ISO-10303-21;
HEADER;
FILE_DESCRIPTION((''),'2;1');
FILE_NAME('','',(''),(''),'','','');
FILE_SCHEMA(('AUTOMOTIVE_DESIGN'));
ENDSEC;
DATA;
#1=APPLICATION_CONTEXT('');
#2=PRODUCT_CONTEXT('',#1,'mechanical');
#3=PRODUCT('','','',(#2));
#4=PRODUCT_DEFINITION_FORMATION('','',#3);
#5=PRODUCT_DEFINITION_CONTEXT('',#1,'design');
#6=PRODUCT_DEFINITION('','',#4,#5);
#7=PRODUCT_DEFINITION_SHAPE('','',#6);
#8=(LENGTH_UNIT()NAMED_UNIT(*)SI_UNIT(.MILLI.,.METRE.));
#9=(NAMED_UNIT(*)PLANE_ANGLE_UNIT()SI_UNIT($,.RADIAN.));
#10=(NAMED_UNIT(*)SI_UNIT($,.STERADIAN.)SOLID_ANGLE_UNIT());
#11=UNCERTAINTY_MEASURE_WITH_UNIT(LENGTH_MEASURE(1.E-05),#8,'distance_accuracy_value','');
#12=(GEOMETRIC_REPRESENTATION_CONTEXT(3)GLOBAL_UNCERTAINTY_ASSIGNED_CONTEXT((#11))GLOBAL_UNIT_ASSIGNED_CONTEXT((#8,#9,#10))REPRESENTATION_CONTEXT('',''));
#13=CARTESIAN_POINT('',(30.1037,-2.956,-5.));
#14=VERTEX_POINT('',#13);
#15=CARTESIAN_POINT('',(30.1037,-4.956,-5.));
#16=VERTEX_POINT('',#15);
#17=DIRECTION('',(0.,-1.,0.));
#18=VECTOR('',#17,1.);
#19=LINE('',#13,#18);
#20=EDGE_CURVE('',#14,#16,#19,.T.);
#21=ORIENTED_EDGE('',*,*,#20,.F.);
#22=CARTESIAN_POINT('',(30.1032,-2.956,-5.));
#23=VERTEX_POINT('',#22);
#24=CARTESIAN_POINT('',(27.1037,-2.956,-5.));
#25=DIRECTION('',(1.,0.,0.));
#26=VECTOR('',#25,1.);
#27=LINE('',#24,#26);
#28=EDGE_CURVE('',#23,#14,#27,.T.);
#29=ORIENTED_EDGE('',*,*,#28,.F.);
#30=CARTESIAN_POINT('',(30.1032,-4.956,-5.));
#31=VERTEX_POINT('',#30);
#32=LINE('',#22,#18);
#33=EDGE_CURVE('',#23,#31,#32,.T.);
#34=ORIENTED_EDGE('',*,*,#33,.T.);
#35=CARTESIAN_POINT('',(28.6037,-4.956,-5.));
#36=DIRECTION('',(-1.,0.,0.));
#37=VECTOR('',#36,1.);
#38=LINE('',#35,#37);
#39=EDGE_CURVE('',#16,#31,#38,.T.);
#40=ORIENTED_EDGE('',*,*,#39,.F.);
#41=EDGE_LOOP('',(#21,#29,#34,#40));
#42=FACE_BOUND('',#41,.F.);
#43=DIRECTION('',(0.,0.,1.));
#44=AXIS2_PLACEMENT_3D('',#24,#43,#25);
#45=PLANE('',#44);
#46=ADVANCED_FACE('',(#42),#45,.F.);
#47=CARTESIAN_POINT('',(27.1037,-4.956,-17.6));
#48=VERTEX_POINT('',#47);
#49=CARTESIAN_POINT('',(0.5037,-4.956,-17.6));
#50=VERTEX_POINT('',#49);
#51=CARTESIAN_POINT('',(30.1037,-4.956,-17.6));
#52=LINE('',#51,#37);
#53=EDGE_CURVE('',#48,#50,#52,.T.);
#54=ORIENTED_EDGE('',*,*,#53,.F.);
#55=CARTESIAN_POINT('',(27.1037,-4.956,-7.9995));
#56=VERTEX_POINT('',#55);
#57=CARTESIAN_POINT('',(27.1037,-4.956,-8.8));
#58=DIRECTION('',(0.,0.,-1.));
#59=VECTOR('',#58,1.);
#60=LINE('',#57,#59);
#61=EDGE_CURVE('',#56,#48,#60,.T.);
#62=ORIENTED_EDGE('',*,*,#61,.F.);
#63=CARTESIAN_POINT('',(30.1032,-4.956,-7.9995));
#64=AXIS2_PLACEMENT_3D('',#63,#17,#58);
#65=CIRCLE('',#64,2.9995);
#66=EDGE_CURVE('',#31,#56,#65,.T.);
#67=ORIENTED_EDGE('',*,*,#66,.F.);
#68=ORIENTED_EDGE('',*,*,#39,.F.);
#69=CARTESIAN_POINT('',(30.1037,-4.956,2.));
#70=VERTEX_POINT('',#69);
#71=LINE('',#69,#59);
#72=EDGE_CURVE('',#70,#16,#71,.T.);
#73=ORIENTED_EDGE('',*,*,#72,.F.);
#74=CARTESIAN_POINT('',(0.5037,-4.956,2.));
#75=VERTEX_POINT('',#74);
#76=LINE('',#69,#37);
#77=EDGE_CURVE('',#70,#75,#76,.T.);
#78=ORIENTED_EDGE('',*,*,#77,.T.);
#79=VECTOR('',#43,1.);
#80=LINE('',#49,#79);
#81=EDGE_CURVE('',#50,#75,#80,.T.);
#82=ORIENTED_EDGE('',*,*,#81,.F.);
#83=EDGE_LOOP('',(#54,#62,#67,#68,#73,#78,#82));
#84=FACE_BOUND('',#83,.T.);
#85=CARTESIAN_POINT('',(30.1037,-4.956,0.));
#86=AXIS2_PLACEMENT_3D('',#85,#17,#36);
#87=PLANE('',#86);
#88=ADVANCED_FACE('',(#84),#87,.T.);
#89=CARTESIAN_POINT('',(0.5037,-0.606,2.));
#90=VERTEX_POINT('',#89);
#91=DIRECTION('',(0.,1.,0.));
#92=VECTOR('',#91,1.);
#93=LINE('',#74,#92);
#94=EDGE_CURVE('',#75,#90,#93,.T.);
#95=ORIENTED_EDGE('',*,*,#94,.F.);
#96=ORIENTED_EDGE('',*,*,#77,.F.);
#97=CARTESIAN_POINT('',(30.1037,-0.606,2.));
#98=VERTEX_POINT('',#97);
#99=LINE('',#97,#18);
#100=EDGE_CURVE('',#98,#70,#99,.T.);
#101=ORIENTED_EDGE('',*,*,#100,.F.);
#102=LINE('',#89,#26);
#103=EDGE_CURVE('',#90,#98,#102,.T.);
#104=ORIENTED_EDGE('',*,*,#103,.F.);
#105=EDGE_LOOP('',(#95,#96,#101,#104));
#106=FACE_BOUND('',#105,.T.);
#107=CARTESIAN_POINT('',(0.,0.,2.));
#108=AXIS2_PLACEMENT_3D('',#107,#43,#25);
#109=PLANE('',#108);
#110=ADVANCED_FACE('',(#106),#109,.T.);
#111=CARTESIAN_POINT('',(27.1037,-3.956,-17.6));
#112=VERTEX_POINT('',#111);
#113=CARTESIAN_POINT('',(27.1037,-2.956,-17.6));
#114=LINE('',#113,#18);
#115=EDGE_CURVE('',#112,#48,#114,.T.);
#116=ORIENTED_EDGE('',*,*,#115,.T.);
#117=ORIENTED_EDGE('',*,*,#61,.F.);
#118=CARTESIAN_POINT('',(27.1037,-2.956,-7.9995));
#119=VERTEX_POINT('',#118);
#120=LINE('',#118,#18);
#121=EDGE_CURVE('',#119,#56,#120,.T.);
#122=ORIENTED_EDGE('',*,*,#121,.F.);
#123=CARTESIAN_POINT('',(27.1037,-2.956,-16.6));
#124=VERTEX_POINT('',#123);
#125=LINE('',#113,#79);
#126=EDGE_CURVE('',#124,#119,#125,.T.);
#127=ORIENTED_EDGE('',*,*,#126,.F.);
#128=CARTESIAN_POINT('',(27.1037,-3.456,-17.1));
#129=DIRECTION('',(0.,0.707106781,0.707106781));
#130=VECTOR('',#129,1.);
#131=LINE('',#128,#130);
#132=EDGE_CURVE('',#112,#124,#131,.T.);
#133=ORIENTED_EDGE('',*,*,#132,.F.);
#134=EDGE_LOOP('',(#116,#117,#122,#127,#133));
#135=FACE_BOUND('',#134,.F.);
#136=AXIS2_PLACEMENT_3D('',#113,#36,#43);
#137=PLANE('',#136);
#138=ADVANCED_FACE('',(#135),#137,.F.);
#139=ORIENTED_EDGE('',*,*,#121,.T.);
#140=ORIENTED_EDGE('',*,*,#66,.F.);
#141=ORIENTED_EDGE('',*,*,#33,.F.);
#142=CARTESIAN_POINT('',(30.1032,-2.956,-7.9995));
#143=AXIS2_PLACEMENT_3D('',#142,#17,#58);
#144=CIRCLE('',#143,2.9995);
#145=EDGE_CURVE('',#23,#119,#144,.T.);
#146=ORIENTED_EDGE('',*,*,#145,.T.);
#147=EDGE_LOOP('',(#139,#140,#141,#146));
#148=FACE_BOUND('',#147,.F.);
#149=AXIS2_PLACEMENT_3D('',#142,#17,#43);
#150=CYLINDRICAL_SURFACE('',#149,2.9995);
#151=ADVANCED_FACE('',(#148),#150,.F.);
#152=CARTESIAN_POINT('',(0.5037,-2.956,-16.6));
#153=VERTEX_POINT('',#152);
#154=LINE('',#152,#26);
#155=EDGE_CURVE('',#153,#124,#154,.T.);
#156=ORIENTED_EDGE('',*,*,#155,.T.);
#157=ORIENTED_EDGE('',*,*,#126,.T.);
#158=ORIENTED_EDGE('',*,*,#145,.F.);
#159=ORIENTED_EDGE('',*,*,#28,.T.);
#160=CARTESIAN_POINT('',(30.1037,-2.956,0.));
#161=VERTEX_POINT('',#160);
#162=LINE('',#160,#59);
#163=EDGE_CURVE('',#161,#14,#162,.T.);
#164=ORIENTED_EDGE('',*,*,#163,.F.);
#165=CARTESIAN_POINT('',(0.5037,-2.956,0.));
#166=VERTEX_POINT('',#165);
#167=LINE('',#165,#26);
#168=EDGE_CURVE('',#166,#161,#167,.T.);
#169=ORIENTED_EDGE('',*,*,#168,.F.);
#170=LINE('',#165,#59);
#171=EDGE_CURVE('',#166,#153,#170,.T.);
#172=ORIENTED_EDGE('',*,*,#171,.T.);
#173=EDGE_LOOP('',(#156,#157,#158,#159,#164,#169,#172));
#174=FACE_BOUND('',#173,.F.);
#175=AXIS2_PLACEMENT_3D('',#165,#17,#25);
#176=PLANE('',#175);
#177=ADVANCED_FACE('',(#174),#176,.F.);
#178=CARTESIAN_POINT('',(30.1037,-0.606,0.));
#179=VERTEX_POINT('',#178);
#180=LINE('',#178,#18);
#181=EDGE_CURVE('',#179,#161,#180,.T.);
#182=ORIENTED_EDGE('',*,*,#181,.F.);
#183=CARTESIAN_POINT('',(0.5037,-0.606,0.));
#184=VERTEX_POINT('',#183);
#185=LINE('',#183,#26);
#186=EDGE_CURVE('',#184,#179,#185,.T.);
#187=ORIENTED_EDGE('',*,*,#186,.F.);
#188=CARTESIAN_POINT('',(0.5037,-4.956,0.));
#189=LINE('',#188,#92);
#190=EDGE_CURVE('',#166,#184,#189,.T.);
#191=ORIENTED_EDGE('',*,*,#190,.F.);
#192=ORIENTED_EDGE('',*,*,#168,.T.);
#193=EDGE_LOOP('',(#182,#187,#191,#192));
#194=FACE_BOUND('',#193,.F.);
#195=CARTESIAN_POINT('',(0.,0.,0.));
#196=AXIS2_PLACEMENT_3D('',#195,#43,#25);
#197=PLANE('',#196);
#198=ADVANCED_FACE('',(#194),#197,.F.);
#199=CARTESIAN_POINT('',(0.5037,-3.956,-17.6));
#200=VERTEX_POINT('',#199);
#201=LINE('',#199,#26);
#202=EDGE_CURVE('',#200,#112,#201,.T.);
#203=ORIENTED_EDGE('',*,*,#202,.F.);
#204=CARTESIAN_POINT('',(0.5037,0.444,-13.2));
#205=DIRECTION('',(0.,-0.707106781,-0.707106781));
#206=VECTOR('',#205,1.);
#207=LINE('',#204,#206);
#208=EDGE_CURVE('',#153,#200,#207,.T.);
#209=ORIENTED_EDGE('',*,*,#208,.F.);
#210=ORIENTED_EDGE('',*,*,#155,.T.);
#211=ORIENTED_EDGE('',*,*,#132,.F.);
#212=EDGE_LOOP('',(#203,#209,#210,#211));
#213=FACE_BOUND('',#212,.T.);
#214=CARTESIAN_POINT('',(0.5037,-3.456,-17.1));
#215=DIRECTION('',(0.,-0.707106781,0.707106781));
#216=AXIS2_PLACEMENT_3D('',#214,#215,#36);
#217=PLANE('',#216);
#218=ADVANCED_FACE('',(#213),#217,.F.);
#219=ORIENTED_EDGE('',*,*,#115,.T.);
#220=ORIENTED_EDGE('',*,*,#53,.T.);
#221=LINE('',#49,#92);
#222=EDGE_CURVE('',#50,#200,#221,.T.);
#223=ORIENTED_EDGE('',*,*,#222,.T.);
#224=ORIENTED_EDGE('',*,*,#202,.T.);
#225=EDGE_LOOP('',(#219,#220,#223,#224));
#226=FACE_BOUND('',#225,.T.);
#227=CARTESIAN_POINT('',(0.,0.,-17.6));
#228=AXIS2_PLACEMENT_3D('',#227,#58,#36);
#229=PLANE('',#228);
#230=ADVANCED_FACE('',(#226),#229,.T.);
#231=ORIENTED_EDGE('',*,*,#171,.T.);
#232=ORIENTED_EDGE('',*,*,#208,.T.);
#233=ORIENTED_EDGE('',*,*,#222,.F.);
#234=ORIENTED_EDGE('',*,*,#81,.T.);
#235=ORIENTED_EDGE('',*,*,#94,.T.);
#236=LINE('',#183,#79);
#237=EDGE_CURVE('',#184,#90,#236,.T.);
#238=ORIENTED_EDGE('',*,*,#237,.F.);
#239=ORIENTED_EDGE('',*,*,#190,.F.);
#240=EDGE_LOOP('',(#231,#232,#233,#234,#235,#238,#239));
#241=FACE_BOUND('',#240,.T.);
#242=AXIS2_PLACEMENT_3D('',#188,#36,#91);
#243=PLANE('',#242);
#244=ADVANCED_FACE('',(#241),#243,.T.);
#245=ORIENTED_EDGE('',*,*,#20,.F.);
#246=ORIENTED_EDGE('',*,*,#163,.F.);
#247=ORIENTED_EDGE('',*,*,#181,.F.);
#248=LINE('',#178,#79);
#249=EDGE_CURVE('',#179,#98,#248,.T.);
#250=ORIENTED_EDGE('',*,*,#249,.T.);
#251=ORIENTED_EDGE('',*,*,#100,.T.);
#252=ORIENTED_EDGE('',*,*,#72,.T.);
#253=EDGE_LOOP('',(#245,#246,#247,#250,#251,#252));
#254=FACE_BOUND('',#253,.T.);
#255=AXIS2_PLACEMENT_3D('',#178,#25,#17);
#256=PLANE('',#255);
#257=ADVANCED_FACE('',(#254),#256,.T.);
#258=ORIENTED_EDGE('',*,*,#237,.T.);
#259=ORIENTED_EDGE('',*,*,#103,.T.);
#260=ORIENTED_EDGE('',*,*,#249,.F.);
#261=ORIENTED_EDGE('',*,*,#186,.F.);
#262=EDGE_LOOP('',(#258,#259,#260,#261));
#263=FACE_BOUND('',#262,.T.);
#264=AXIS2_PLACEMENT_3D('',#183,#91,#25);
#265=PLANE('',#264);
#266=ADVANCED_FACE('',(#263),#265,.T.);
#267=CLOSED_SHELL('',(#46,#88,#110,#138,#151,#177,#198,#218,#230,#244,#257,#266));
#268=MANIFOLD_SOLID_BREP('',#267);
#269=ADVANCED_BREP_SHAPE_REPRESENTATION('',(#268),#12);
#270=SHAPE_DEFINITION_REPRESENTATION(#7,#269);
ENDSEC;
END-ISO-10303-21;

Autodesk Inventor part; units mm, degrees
ref_plane "YZ Plane" through (0, 0, 0) normal (1, 0, 0) x (0, 1, 0)
ref_plane "XZ Plane" through (0, 0, 0) normal (0, 1, 0) x (-1, 0, 0)
ref_plane "XY Plane" through (0, 0, 0) normal (0, 0, 1) x (1, 0, 0)
sketch "Sketch1" plane through (0, 0, 0) normal (0, 0, 1) x (1, 0, 0)
  line L0 (0.5037, -0.606) -> (30.1037, -0.606)
  line L1 (30.1037, -0.606) -> (30.1037, -4.956)
  line L2 (30.1037, -4.956) -> (0.5037, -4.956)
  line L3 (0.5037, -4.956) -> (0.5037, -0.606)
  point P0 (0, 0)
  dimension "d1" = 4.35
  dimension "d2" = 29.6
extrude "Extrusion1" add sketch "Sketch1" along normal blind 2
sketch "Sketch2" plane through (0, 0, 0) normal (0, 0, -1) x (-1, 0, 0)
  line L0 (-30.1037, -4.956) -> (-0.5037, -4.956)
  line L1 (-0.5037, -4.956) -> (-0.5037, -2.956)
  line L2 (-0.5037, -2.956) -> (-30.1037, -2.956)
  line L3 (-30.1037, -2.956) -> (-30.1037, -4.956)
  line L4 (-0.5037, -4.956) -> (-30.1037, -4.956) projected
  line L5 (-30.1037, -4.956) -> (-30.1037, -0.606) projected
  dimension "d11" = 29.6
  dimension "d12" = 2
extrude "Extrusion2" add sketch "Sketch2" along normal blind 17.6
chamfer "Chamfer2" distance 1 angle 45 1 edges at (15.3037, -2.956, -17.6)
sketch "Sketch3" plane through (0.5037, -2.956, 0) normal (0, 1, 0) x (1, 0, 0)
  line L0 (29.6, 17.6) -> (0, 17.6) projected
  line L1 (29.6, 17.6) -> (26.6, 17.6)
  line L2 (26.6, 17.6) -> (26.6, 5)
  line L3 (26.6, 5) -> (29.6, 5)
  line L4 (29.6, 5) -> (29.6, 17.6)
  point P0 (-0.5037, 0)
  dimension "d16" = 3
  dimension "d17" = 12.6
extrude "Extrusion3" cut sketch "Sketch3" against normal through all
fillet "Fillet1" radius 3 1 edges at (27.1037, -3.956, -5)
properties part number "tray_3DPrint"
